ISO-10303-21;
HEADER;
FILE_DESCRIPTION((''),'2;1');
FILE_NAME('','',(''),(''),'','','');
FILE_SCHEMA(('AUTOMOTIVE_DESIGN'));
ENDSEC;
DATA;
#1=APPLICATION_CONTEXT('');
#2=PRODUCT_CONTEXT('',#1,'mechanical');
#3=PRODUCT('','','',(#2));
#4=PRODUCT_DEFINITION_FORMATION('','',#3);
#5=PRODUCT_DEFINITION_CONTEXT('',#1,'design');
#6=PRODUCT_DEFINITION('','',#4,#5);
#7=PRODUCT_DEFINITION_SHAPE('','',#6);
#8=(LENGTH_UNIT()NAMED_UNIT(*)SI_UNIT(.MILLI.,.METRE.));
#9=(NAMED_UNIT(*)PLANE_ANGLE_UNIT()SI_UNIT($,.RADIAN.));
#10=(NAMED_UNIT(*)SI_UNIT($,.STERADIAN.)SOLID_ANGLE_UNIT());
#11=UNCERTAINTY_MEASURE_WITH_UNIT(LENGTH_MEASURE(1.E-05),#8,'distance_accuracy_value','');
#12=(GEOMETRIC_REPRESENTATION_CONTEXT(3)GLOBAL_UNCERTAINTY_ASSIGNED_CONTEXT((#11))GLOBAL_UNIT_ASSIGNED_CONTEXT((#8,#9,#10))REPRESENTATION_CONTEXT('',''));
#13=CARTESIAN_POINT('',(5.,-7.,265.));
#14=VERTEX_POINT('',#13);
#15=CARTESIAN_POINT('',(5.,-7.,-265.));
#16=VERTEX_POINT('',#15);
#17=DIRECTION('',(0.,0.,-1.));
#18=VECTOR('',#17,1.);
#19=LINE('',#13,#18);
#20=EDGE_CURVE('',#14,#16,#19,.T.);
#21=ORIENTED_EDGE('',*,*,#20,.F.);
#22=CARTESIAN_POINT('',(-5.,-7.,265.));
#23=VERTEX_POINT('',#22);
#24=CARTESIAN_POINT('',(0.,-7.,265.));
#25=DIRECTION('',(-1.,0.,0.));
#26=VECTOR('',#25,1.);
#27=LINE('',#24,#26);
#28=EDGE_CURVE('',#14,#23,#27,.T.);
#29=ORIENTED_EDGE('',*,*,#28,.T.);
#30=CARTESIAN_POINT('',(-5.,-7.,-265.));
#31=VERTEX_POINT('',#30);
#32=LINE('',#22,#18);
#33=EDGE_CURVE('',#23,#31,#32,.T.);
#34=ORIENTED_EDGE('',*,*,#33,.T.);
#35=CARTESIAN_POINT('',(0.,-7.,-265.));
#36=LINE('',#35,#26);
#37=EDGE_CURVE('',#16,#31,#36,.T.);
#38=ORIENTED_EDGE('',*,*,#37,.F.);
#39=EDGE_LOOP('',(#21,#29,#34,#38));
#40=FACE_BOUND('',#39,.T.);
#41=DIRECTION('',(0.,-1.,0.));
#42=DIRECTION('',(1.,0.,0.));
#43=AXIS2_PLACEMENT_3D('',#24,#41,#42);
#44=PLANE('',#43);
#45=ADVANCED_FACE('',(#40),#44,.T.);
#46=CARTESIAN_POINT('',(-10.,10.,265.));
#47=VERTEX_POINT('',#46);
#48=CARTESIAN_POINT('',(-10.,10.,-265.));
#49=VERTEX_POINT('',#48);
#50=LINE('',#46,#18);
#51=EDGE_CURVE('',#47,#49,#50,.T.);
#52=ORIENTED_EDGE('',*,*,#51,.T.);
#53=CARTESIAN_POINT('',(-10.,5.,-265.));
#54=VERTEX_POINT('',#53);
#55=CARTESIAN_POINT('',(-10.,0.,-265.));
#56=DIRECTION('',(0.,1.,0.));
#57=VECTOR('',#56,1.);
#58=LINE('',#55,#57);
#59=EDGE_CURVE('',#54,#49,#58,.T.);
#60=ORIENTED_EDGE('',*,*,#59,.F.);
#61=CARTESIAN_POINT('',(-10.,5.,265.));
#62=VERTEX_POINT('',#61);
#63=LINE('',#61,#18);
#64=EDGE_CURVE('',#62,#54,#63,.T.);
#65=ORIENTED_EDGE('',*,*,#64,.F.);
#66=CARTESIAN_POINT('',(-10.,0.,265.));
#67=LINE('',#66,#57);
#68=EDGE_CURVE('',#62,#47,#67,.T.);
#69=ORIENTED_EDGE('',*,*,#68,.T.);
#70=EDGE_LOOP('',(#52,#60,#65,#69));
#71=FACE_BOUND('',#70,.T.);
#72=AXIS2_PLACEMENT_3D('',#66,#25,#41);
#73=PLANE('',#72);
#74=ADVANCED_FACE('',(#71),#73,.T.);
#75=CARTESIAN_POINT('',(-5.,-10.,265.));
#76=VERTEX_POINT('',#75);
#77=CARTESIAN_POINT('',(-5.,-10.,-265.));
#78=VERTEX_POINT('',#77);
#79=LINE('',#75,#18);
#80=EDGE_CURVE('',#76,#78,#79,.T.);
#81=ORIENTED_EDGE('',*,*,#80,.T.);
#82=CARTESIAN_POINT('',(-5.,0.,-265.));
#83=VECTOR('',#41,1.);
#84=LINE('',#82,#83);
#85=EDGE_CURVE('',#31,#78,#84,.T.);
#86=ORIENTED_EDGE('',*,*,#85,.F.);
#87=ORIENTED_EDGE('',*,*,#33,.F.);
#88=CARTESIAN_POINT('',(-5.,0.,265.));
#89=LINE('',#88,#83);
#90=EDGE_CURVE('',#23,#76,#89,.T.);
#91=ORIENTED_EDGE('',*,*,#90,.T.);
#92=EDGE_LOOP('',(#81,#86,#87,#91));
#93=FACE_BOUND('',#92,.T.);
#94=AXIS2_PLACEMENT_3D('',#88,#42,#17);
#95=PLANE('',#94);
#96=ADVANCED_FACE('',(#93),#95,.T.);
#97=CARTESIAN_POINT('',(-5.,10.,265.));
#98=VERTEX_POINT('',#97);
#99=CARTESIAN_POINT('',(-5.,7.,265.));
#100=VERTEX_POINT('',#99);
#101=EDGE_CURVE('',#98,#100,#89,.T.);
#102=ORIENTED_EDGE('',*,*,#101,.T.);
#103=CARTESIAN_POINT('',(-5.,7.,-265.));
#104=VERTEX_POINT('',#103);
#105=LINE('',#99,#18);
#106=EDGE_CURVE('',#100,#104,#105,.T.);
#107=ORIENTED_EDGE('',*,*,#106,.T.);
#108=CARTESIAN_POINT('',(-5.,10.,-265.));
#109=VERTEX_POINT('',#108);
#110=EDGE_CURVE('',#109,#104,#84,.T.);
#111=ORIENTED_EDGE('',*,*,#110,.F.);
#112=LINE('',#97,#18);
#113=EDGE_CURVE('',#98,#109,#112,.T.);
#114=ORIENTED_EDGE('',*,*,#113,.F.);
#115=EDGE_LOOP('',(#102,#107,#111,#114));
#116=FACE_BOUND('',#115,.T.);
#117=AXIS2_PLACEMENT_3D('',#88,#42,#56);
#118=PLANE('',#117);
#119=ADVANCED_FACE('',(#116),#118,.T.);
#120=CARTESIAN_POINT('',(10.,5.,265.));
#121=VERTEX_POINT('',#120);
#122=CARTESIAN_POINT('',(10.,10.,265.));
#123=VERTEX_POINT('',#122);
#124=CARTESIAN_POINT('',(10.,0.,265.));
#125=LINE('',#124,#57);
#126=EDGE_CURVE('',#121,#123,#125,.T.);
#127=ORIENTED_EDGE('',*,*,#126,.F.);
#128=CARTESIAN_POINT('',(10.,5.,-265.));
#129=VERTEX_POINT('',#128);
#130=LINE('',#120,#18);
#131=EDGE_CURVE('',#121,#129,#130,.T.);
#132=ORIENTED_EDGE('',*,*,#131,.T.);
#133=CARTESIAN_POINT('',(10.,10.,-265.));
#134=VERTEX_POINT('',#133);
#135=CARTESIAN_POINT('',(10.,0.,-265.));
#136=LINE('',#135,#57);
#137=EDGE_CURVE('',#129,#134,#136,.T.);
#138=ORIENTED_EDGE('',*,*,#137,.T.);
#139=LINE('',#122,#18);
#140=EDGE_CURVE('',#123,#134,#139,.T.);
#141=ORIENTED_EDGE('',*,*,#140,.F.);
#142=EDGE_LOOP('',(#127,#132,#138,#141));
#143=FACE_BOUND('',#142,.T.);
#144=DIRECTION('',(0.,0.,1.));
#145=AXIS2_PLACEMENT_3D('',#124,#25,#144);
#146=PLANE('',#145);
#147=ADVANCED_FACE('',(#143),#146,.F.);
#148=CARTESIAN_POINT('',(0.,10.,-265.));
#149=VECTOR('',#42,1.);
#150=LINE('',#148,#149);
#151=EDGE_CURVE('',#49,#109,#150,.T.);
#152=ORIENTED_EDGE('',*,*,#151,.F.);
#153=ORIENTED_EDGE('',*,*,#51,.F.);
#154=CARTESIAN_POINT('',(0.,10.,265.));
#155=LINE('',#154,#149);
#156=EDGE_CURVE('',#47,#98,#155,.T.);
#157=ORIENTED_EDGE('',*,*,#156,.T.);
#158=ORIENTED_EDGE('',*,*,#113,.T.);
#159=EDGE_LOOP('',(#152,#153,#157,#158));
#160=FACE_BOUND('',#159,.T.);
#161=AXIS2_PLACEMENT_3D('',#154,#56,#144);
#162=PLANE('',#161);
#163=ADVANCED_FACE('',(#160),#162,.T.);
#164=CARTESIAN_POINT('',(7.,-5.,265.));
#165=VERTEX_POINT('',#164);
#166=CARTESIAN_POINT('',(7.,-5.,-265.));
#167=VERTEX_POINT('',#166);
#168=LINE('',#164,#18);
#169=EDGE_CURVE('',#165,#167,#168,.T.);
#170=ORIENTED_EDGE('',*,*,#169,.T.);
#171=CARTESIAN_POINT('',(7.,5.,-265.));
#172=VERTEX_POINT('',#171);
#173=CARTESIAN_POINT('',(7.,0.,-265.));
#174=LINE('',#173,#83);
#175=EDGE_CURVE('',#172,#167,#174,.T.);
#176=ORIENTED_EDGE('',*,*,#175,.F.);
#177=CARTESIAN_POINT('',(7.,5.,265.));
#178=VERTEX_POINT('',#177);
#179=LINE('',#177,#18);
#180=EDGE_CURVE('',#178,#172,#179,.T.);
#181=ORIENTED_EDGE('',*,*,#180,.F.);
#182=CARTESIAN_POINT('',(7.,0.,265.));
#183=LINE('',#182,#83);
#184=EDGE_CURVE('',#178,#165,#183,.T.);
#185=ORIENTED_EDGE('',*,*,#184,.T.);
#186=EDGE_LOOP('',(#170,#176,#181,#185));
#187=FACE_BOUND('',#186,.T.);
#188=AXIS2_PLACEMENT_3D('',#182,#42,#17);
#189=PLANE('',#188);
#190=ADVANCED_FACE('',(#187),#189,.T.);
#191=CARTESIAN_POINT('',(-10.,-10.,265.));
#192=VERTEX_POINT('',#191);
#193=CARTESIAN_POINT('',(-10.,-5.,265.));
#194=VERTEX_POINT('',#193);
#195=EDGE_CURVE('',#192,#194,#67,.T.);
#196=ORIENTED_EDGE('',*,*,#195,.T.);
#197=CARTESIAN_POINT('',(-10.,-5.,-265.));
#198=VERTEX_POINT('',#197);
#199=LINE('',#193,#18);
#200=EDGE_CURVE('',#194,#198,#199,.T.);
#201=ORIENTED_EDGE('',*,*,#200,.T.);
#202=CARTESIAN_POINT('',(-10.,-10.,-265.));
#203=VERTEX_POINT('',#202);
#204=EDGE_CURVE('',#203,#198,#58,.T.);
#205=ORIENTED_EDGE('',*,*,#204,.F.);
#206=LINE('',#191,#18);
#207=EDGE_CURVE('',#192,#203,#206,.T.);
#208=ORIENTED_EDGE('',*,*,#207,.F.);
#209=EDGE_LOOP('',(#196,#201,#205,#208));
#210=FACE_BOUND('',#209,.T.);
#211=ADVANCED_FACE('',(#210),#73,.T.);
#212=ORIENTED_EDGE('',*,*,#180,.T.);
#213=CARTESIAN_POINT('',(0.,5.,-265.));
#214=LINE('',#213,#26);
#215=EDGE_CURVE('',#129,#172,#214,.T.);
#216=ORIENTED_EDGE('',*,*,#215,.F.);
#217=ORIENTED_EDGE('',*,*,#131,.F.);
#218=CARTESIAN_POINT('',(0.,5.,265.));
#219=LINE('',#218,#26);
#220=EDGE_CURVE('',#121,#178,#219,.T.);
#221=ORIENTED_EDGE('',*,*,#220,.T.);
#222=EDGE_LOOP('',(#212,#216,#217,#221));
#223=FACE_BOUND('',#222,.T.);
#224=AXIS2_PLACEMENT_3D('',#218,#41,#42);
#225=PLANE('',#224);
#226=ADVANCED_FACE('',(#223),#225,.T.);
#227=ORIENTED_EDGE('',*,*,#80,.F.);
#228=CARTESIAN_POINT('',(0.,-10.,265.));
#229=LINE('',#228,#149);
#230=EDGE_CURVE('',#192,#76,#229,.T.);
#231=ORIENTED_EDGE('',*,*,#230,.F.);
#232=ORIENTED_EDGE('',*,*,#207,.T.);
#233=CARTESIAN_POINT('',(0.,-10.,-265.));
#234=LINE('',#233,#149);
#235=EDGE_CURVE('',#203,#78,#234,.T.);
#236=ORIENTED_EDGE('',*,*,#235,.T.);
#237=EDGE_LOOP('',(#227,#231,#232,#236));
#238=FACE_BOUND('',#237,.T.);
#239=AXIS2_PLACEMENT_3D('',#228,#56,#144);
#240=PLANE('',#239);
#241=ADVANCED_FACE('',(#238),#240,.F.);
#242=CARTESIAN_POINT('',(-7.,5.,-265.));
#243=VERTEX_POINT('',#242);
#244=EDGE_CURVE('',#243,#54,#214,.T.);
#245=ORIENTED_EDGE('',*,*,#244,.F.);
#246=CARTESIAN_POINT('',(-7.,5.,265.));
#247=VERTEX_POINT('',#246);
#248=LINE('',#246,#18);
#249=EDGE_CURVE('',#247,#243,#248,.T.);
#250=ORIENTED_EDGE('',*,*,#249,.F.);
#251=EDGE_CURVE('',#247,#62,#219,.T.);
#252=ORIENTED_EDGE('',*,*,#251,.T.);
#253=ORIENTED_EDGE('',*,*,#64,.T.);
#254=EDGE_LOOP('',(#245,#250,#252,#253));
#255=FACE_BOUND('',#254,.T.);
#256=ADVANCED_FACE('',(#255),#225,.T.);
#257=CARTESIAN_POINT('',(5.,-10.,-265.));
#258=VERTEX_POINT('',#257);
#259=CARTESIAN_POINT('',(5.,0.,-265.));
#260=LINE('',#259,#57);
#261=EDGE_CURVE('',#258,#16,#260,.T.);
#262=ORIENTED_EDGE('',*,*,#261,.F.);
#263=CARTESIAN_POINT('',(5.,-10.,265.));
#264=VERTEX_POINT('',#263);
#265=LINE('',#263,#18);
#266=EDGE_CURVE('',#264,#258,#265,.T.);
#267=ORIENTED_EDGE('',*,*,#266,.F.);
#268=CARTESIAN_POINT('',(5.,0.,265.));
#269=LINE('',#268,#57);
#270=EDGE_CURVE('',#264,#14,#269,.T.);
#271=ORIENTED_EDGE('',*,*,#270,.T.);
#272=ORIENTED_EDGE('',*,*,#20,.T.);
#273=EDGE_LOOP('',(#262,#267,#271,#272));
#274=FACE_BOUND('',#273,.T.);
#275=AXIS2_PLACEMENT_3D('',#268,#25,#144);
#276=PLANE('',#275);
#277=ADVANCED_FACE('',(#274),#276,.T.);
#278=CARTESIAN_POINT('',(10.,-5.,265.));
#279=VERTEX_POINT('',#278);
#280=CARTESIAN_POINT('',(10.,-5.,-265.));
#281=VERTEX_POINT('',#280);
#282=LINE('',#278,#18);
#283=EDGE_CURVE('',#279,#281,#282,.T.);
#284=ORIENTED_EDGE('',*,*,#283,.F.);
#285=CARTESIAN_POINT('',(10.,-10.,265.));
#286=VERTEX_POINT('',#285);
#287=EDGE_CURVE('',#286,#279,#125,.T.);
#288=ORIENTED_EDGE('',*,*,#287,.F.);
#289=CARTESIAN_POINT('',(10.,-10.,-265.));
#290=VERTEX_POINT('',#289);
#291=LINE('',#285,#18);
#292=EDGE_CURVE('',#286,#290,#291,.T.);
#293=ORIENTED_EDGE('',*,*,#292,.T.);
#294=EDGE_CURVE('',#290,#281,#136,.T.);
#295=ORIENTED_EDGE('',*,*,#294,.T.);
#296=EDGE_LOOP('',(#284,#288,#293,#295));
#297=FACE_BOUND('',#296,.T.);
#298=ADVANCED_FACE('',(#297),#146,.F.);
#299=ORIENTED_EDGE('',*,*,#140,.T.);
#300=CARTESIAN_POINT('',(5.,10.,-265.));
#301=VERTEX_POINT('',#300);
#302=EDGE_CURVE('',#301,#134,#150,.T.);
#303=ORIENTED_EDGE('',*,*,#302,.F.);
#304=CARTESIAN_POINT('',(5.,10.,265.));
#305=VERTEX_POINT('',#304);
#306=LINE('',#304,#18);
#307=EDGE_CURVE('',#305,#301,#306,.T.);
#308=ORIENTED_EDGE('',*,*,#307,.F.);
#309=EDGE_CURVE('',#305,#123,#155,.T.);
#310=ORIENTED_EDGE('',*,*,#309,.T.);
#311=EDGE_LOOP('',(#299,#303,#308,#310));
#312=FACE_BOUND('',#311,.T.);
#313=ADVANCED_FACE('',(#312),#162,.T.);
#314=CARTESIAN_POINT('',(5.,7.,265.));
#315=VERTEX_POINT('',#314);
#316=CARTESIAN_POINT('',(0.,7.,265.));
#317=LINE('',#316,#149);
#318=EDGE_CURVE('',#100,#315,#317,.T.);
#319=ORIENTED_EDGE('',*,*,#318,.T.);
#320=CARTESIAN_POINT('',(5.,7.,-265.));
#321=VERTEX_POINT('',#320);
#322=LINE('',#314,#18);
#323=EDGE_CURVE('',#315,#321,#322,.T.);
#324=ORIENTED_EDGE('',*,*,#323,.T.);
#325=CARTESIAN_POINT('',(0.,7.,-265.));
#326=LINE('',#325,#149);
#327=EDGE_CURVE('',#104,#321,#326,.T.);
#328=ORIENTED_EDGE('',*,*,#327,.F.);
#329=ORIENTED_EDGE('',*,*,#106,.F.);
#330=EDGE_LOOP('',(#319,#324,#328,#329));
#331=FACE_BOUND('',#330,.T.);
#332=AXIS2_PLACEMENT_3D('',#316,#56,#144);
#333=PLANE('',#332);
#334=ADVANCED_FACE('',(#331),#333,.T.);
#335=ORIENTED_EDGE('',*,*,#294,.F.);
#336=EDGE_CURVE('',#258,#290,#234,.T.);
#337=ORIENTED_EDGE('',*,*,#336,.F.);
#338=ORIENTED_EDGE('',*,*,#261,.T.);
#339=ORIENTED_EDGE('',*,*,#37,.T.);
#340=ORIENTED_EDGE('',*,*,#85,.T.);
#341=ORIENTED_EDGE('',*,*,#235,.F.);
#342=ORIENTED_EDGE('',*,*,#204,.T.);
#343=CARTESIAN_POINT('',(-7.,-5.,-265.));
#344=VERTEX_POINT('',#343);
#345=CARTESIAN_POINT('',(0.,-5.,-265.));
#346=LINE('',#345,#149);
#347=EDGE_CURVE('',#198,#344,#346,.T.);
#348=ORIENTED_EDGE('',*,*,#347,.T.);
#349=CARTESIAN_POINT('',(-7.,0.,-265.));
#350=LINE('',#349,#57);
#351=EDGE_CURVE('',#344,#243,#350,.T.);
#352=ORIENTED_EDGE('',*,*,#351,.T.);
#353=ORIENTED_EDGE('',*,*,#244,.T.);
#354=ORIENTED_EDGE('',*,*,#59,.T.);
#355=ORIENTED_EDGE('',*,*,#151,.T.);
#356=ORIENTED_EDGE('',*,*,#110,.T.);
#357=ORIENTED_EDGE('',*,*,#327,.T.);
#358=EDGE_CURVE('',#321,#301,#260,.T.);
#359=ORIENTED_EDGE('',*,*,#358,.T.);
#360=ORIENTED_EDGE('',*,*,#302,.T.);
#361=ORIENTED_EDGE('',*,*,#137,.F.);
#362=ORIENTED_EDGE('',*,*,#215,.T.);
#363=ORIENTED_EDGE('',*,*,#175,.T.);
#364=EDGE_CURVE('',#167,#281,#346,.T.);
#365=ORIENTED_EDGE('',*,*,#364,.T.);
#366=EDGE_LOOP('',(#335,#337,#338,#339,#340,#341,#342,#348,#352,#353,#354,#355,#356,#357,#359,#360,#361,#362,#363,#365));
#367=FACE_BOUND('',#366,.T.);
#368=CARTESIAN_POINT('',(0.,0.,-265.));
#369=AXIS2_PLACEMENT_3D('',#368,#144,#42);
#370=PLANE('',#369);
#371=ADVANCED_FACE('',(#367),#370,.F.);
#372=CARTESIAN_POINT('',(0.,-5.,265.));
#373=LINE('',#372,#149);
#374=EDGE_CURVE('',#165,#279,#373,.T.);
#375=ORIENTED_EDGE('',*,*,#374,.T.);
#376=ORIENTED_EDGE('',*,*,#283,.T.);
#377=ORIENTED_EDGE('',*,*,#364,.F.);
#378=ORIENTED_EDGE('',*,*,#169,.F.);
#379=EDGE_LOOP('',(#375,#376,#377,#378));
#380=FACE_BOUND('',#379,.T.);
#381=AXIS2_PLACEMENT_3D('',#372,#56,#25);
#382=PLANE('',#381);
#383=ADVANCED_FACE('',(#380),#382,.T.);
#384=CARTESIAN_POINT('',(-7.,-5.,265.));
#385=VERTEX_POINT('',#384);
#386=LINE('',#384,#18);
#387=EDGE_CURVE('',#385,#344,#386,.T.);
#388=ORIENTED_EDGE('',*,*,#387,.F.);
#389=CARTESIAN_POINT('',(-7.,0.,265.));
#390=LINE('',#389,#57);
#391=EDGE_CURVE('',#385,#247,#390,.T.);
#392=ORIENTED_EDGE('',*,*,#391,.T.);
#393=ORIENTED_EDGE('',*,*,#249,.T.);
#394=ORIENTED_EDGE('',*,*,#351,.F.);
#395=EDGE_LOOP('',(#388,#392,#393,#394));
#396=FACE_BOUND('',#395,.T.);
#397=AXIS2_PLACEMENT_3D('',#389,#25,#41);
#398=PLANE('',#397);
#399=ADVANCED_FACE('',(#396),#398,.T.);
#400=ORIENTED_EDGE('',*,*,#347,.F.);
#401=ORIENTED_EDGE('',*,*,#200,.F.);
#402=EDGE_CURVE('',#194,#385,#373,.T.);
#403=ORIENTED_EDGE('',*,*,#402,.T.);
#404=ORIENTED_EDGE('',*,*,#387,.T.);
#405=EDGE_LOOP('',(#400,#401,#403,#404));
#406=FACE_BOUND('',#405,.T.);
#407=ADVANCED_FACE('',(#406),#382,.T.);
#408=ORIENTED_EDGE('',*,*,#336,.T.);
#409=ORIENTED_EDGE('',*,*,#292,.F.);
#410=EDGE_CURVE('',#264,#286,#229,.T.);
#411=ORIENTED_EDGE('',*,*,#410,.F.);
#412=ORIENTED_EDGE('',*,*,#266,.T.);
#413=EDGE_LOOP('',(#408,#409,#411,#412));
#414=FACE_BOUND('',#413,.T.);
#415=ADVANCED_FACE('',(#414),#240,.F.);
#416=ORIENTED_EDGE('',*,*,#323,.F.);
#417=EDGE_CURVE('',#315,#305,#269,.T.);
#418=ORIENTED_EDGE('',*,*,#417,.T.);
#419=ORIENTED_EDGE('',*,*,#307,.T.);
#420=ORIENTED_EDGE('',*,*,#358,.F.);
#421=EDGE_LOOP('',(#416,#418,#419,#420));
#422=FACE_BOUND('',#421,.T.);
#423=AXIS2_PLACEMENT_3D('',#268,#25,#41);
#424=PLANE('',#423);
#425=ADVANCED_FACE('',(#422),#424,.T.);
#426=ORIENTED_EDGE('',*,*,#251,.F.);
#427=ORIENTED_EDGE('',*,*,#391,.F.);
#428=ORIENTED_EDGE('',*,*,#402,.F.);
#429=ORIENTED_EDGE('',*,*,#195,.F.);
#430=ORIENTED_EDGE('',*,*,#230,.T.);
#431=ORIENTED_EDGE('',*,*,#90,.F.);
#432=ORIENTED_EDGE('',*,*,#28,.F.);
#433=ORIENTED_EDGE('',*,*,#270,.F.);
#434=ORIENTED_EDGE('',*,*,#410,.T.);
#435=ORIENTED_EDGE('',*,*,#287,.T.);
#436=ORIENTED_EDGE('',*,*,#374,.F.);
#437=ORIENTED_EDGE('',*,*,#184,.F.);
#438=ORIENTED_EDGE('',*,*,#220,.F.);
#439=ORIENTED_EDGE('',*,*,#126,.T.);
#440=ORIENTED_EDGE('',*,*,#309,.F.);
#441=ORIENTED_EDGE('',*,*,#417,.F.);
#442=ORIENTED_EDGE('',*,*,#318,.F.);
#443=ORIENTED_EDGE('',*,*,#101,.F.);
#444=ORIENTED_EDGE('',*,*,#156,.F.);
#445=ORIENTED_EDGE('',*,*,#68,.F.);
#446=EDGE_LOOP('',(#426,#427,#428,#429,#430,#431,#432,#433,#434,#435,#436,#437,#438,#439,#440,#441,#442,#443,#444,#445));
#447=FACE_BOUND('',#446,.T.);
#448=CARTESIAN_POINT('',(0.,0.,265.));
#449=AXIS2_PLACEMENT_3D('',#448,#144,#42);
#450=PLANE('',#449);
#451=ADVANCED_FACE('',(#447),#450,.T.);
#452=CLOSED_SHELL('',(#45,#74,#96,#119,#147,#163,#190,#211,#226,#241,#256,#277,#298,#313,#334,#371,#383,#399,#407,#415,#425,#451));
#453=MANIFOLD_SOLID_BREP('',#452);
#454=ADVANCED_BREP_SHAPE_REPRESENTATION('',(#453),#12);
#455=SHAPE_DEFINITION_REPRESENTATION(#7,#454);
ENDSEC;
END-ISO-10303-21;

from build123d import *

# Parameters (mm, degrees)
EXTRUDE_1_DEPTH = 265


with BuildPart() as part:
    # 草图1 → 凸台-拉伸1 (new, symmetric)
    with BuildSketch(Plane.XY):
        Polygon((-5, 7), (-5, 10), (-10, 10), (-10, 5), (-7, 5), (-7, -5), (-10, -5), (-10, -10), (-5, -10), (-5, -7), (5, -7), (5, -10), (10, -10), (10, -5), (7, -5), (7, 5), (10, 5), (10, 10), (5, 10), (5, 7), align=None)
    extrude(amount=EXTRUDE_1_DEPTH, both=True)


solid = part.part
